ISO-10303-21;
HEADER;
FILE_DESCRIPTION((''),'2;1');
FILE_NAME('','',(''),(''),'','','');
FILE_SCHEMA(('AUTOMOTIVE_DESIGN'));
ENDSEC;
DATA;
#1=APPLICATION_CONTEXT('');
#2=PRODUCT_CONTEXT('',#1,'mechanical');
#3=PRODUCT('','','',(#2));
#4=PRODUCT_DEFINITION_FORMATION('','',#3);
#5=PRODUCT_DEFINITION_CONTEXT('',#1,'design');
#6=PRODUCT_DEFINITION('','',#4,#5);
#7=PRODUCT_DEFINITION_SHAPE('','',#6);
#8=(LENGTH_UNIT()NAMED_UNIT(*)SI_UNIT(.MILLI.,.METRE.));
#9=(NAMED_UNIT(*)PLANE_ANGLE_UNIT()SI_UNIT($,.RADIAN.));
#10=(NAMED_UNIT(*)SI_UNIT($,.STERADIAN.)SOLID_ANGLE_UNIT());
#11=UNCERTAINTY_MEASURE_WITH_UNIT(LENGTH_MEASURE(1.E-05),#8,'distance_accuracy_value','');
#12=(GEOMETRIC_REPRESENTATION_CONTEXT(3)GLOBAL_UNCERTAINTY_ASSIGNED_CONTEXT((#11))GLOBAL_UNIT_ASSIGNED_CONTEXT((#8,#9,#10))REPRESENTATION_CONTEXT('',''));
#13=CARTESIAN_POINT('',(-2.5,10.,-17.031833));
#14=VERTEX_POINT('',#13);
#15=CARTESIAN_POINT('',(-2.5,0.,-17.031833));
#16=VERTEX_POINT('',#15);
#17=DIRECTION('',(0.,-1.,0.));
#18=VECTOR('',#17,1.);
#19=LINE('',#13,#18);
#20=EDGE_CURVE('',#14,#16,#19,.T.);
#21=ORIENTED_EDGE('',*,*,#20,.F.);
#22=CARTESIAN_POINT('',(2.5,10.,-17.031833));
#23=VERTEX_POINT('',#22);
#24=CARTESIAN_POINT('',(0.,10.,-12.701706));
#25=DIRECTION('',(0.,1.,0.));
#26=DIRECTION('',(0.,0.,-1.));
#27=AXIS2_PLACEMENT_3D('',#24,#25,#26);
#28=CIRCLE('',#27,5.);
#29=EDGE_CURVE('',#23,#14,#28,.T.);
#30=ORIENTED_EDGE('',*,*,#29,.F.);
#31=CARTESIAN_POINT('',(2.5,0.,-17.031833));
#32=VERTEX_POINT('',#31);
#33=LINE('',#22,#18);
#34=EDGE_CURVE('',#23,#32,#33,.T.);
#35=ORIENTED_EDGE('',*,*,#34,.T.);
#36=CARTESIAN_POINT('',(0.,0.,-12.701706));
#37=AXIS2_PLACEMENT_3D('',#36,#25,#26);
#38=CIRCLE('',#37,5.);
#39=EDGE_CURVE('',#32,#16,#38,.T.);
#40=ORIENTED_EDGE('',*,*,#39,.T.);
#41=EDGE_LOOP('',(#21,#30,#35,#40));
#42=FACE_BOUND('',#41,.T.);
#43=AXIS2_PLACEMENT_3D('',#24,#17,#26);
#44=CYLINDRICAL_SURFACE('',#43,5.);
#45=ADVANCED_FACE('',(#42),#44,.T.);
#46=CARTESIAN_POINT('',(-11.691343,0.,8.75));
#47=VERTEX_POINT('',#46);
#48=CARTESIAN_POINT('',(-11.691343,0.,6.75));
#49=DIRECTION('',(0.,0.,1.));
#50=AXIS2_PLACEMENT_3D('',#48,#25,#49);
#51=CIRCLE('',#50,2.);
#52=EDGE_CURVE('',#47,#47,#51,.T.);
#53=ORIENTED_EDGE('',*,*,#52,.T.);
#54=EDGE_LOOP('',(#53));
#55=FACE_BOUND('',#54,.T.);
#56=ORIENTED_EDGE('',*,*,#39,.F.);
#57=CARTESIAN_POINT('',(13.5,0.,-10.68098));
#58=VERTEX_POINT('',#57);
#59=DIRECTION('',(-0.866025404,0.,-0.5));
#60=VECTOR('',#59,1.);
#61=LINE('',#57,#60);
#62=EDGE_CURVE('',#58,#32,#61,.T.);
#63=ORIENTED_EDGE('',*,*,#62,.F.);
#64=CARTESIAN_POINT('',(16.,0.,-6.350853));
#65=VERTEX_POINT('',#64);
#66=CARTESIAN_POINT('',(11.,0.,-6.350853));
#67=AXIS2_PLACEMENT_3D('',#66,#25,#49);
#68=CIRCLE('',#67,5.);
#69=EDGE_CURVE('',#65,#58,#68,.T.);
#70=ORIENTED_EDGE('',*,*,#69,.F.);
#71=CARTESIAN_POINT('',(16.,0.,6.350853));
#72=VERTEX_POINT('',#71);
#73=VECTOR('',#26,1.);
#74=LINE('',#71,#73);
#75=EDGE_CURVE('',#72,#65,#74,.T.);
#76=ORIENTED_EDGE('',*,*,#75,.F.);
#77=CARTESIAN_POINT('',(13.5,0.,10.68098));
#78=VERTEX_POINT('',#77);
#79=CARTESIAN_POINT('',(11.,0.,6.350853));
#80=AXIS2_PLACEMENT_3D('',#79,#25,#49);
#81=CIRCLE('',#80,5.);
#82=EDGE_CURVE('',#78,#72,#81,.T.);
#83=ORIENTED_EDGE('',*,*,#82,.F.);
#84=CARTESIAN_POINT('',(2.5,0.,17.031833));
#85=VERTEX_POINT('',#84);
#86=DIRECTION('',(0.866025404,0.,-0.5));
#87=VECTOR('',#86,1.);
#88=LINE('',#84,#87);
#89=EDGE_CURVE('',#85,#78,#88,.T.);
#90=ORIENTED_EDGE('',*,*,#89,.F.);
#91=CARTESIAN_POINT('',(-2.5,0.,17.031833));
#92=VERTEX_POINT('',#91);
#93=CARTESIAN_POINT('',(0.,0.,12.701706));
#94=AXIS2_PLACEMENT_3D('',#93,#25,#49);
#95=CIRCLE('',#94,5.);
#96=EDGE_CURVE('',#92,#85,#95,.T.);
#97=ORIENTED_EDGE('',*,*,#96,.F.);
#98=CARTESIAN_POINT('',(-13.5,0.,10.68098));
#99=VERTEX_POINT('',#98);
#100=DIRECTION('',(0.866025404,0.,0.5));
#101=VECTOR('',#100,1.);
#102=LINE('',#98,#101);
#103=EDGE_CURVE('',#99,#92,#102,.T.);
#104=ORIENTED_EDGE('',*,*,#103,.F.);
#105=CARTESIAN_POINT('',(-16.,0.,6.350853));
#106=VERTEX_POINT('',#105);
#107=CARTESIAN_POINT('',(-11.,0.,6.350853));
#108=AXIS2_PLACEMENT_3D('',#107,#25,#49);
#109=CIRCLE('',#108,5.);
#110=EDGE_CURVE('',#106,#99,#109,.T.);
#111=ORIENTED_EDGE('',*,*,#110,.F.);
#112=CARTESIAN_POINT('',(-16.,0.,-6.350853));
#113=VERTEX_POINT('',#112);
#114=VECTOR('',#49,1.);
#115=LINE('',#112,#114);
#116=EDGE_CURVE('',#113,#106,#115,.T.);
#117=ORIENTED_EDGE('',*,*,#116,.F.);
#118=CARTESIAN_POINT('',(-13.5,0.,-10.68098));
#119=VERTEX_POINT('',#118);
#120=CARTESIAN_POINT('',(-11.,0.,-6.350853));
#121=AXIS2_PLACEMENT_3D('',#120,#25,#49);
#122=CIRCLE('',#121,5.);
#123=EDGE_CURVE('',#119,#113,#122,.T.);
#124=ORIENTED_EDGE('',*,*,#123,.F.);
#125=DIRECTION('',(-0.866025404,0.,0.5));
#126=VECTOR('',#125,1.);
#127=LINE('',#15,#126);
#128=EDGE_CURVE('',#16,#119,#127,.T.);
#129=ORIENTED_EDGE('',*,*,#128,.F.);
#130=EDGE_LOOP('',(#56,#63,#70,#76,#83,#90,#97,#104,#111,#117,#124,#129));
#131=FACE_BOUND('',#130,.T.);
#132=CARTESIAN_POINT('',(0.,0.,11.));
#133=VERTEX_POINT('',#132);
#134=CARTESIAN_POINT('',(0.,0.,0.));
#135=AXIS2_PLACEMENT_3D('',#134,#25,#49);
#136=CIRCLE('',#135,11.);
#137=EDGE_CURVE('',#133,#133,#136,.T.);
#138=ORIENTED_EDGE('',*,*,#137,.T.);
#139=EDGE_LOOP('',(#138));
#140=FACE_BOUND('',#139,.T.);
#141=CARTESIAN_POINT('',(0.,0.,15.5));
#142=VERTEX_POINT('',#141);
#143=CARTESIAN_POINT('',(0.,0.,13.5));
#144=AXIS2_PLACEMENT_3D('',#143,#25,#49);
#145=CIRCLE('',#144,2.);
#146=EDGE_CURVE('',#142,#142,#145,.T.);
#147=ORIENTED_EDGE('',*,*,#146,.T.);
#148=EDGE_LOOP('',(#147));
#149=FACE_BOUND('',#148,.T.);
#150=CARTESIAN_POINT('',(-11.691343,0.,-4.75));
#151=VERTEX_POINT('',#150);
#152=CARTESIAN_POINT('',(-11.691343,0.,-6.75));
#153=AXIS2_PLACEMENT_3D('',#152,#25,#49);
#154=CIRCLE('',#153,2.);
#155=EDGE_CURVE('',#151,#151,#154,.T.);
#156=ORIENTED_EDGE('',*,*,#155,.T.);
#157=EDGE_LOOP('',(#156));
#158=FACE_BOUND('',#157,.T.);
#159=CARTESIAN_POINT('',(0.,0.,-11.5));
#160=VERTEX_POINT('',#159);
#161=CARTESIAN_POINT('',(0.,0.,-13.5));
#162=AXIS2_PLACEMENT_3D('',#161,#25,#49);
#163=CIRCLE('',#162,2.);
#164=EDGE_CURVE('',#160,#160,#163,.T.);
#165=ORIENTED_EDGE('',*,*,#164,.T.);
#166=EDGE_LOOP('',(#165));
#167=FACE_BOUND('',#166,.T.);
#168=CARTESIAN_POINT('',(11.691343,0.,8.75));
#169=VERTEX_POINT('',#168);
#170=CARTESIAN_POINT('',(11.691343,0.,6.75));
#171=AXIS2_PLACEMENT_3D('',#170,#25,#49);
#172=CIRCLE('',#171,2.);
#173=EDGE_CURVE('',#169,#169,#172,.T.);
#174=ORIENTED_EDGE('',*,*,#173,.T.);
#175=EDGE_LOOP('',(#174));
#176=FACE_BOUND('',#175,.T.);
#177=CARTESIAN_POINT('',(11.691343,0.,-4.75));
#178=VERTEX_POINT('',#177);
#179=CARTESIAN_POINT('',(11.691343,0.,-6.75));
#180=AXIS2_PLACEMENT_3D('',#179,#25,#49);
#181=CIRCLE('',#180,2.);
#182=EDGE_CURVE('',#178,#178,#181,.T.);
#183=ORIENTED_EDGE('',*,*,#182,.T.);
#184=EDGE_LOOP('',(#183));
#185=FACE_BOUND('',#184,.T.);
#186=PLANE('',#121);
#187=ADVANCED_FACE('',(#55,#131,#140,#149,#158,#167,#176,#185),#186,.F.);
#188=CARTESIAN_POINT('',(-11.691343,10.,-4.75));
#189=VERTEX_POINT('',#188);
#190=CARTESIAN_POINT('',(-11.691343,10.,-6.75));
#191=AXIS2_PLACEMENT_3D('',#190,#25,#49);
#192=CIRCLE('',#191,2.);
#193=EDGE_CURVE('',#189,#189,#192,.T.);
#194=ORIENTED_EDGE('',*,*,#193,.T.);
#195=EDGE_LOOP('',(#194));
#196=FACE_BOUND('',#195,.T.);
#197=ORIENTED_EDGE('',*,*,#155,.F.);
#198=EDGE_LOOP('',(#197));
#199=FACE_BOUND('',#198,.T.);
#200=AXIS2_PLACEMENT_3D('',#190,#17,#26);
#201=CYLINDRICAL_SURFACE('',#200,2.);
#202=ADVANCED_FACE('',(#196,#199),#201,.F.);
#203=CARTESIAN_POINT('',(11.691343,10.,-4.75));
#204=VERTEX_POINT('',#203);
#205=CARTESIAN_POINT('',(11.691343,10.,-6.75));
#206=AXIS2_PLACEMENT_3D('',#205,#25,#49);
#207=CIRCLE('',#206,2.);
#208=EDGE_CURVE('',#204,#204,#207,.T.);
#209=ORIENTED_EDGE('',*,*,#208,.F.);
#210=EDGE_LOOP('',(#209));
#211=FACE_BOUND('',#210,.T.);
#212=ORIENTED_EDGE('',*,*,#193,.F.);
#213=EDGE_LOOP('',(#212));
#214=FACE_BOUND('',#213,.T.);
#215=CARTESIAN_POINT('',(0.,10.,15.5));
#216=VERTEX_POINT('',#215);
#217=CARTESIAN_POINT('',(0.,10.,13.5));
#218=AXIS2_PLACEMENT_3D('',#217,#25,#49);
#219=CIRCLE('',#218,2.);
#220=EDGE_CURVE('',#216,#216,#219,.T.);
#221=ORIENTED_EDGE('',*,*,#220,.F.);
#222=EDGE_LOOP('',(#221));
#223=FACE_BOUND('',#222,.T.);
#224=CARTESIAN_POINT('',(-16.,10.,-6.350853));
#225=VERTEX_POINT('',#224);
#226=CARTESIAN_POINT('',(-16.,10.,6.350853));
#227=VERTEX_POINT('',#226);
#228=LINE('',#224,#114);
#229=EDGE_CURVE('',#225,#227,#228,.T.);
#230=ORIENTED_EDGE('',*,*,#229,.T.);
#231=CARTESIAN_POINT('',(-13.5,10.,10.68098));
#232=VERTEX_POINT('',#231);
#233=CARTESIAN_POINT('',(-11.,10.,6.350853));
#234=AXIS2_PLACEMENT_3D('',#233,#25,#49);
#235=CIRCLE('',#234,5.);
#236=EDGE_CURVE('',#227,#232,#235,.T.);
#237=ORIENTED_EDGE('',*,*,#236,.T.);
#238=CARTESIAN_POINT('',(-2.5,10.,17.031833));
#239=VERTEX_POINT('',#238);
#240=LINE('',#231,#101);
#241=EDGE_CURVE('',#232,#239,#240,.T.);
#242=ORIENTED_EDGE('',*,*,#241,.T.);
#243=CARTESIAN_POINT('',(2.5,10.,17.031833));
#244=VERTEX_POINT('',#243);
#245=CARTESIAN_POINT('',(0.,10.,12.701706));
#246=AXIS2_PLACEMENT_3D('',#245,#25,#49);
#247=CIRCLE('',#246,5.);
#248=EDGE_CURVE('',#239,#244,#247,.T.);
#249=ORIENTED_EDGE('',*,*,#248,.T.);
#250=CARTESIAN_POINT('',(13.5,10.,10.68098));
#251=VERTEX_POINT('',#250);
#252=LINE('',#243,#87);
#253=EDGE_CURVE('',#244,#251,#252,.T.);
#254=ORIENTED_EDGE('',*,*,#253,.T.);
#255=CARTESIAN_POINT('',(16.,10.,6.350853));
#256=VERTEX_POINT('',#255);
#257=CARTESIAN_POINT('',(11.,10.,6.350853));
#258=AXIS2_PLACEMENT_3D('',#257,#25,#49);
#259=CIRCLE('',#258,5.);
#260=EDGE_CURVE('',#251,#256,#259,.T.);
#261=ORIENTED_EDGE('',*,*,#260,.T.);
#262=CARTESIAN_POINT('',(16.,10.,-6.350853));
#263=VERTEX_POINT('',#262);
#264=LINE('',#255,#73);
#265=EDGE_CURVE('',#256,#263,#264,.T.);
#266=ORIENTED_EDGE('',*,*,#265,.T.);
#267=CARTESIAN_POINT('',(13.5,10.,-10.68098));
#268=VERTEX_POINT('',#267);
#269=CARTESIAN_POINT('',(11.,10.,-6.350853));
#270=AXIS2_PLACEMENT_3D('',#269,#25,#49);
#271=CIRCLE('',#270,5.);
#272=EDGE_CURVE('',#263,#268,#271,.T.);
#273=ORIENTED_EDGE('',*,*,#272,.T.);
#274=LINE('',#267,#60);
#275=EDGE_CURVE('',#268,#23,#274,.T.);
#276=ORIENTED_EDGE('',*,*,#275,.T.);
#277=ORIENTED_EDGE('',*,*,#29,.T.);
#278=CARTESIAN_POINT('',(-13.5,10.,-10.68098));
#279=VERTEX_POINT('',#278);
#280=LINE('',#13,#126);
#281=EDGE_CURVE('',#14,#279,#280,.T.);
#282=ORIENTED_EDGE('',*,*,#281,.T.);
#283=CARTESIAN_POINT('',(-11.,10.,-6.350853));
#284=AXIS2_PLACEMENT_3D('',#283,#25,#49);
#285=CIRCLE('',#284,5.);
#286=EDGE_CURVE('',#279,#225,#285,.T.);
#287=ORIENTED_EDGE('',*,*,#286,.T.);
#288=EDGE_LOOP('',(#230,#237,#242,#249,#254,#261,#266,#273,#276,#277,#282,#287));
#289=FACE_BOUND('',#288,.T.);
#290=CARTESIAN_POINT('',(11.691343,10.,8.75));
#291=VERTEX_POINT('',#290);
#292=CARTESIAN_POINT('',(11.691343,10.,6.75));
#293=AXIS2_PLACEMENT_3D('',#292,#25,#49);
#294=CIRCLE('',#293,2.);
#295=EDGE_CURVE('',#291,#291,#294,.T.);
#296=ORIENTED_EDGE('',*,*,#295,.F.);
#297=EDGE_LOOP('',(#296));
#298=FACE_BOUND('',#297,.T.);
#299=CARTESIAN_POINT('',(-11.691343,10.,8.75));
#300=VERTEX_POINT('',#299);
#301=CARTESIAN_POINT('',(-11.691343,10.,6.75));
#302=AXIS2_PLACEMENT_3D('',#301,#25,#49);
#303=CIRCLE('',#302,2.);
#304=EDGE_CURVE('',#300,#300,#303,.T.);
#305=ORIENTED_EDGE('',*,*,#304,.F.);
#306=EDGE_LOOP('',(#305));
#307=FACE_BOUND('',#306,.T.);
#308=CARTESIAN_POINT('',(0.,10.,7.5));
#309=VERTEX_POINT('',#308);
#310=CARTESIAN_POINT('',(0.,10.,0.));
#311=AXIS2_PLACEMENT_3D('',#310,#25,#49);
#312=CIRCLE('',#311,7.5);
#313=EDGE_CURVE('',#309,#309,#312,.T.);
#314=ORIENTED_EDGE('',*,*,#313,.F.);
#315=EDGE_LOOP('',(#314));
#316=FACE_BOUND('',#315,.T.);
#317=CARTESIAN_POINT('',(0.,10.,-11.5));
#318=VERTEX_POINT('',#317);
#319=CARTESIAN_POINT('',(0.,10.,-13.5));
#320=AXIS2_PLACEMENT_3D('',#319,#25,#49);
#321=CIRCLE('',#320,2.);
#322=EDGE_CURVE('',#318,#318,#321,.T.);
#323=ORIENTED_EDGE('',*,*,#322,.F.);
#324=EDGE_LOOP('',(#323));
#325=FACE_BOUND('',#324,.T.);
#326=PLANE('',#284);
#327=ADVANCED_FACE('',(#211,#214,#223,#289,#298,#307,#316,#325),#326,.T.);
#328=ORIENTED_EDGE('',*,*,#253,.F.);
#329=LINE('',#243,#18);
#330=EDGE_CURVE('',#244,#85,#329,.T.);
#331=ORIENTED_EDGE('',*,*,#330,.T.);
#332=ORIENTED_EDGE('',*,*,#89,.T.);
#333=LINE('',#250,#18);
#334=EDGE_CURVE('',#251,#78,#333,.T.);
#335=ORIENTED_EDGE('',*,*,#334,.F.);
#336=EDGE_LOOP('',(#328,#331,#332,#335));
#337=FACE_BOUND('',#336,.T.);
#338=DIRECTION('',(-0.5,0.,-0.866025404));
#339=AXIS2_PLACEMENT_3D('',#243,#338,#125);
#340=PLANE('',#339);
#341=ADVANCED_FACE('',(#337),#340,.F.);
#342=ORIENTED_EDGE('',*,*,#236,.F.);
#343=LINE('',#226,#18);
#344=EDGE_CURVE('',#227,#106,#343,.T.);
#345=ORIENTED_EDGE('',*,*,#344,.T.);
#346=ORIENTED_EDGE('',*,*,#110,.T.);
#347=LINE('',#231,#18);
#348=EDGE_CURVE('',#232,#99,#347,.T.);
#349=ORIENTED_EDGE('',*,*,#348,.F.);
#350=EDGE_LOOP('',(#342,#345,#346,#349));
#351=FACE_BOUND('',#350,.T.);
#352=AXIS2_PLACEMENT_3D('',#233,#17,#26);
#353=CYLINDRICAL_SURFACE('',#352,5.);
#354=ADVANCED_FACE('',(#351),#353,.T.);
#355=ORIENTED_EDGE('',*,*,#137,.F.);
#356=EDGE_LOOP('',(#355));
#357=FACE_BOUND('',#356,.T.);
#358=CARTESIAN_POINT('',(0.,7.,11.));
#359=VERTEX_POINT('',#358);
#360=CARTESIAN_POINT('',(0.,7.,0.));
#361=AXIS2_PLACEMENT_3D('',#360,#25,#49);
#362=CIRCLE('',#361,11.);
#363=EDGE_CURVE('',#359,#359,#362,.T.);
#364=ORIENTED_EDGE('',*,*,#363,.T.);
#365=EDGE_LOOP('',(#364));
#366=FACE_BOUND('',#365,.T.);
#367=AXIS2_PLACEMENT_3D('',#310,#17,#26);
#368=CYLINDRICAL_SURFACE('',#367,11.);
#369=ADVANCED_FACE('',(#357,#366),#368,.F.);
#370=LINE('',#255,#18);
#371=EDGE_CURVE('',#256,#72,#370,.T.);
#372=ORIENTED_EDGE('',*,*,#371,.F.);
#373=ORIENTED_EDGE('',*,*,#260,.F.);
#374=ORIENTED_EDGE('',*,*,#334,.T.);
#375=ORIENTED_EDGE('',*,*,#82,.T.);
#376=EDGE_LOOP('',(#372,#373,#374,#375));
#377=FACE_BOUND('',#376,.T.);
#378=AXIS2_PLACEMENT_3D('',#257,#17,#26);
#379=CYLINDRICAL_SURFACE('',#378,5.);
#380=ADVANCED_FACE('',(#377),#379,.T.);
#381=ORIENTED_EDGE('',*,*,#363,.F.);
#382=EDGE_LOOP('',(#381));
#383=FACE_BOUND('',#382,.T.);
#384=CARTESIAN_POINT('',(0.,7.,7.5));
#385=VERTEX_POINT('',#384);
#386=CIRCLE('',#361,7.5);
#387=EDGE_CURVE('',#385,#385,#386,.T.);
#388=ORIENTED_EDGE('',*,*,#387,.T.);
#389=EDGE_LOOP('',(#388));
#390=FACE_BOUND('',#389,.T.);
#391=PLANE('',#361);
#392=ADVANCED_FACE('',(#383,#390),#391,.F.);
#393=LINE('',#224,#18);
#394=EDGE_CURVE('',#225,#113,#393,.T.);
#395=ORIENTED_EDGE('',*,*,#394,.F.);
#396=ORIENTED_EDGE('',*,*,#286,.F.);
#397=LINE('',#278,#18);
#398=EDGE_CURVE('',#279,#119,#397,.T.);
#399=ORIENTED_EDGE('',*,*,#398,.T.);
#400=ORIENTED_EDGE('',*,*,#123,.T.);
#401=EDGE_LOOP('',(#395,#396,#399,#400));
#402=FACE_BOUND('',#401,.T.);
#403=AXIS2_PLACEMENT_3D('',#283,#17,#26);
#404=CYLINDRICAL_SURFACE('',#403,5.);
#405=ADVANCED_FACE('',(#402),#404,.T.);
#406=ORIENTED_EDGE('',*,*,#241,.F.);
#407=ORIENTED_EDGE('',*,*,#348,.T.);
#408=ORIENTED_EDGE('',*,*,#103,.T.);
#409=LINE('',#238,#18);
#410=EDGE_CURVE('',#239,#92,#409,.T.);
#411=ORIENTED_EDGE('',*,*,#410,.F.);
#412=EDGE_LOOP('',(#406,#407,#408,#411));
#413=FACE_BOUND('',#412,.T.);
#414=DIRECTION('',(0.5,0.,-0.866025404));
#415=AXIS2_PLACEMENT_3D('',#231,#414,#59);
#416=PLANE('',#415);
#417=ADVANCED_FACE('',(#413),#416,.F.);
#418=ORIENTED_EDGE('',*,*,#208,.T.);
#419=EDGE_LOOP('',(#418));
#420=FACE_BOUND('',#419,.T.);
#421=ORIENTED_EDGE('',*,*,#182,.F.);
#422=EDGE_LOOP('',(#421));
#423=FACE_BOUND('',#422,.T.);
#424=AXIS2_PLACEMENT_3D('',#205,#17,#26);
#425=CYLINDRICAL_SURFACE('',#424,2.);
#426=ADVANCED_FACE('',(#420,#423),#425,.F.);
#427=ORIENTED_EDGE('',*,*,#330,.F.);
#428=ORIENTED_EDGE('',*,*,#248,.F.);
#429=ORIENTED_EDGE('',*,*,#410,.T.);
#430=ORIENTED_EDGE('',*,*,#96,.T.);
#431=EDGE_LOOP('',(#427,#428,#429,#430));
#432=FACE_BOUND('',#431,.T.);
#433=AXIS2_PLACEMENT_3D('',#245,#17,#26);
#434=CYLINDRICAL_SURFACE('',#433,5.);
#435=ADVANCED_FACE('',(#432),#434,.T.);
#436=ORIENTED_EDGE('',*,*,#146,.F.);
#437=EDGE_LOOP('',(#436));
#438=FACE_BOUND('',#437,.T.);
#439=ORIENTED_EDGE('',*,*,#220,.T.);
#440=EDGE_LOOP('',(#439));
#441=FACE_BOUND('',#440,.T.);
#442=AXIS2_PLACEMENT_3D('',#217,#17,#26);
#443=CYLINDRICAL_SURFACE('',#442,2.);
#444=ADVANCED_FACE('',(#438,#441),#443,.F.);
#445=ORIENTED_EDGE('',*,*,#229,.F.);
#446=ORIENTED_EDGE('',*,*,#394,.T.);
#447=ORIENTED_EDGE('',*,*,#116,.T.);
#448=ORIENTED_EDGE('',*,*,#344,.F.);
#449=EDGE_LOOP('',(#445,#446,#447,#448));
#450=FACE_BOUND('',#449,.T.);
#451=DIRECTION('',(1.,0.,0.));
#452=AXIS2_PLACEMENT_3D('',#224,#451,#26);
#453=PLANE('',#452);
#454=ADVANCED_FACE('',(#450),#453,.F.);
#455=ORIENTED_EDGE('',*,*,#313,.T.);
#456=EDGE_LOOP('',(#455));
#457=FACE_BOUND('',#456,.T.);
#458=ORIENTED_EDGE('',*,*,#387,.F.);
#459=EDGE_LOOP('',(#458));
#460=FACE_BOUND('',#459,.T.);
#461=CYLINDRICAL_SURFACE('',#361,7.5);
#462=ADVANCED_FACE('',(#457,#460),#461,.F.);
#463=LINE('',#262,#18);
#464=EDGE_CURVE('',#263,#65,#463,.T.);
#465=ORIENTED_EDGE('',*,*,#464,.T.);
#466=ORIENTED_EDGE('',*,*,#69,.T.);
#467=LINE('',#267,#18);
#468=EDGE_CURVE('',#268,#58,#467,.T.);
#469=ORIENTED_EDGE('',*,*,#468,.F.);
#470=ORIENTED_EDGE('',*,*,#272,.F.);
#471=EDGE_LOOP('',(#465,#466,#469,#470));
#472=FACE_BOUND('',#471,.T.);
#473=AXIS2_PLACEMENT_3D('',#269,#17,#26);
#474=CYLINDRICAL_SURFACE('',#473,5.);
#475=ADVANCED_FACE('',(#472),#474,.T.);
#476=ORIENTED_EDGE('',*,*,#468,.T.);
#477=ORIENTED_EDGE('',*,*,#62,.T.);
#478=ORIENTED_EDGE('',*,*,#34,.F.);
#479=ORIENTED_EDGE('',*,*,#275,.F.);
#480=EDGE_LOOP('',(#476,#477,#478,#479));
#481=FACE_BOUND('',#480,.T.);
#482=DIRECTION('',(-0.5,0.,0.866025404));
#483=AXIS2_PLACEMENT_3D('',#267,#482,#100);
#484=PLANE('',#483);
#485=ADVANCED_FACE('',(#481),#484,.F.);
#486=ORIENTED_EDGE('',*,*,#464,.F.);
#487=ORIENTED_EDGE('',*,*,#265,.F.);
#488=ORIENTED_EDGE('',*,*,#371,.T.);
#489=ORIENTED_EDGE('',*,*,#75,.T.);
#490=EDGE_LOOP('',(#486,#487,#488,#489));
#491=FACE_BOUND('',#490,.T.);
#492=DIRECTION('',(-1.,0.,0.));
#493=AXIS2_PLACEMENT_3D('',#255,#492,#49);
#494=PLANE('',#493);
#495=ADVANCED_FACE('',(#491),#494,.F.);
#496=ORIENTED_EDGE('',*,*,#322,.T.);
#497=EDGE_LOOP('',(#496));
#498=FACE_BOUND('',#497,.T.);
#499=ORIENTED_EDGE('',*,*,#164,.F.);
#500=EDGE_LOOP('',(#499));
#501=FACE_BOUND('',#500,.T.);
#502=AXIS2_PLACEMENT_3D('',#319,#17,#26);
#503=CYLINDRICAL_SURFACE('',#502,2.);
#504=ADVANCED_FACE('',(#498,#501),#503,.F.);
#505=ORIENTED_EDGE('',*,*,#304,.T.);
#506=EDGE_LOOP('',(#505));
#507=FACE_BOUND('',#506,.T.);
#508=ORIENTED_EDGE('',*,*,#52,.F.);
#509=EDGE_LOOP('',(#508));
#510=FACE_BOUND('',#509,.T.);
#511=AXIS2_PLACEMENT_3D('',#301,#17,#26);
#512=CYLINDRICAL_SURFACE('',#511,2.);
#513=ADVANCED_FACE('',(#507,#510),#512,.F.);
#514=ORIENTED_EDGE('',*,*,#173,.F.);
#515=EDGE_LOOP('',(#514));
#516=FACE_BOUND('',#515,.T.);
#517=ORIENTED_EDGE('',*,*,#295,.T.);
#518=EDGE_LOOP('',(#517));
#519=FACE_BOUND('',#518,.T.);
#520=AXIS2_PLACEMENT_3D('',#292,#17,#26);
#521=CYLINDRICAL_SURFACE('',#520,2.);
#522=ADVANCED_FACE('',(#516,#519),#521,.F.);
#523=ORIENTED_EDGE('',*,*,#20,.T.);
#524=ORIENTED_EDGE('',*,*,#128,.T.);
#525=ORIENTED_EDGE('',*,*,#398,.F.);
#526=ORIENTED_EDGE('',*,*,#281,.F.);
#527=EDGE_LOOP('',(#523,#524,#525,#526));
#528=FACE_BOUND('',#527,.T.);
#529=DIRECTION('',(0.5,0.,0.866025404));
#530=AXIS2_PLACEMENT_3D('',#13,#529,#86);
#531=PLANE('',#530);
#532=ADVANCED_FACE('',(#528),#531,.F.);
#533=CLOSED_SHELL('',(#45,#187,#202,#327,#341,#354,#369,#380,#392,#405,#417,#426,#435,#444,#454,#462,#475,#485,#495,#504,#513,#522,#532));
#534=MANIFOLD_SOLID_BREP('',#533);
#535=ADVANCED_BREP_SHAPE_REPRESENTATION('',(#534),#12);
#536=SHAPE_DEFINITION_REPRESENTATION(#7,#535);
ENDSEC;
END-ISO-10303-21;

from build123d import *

# Parameters (mm, degrees)
SKETCH1_R           = 11
SKETCH1_R_2         = 2
BOSS_EXTRUDE1_DEPTH = 10
BOSS_EXTRUDE2_START = -3
SKETCH2_R           = 11
SKETCH2_R_2         = 7.5
BOSS_EXTRUDE2_DEPTH = 3


with BuildPart() as part:
    # Sketch1 → Boss-Extrude1 (new body)
    with BuildSketch(Plane(origin=(0, 0, 0), x_dir=(1, 0, 0), z_dir=(0, 1, 0))):
        with BuildLine():
            Line((-2.5, 17.031832941), (-13.5, 10.68097998))
            ThreePointArc((-13.5, 10.68097998), (-15.330127019, 8.850852961), (-16, 6.350852961))
            Line((-16, 6.350852961), (-16, -6.350852961))
            ThreePointArc((-16, -6.350852961), (-15.330127019, -8.850852961), (-13.5, -10.68097998))
            Line((-13.5, -10.68097998), (-2.5, -17.031832941))
            ThreePointArc((-2.5, -17.031832941), (0, -17.701705922), (2.5, -17.031832941))
            Line((2.5, -17.031832941), (13.5, -10.68097998))
            ThreePointArc((13.5, -10.68097998), (15.330127019, -8.850852961), (16, -6.350852961))
            Line((16, -6.350852961), (16, 6.350852961))
            ThreePointArc((16, 6.350852961), (15.330127019, 8.850852961), (13.5, 10.68097998))
            Line((13.5, 10.68097998), (2.5, 17.031832941))
            ThreePointArc((2.5, 17.031832941), (0, 17.701705922), (-2.5, 17.031832941))
        make_face()
        with Locations(Location((0, 0, 0), (0, 0, 270))):
            Circle(SKETCH1_R, mode=Mode.SUBTRACT)
        with Locations(Location((0, 13.5, 0), (0, 0, 270))):
            Circle(SKETCH1_R_2, mode=Mode.SUBTRACT)
        with Locations(Location((11.691342951, 6.75, 0), (0, 0, 270))):
            Circle(SKETCH1_R_2, mode=Mode.SUBTRACT)
        with Locations(Location((11.691342951, -6.75, 0), (0, 0, 270))):
            Circle(SKETCH1_R_2, mode=Mode.SUBTRACT)
        with Locations(Location((0, -13.5, 0), (0, 0, 270))):
            Circle(SKETCH1_R_2, mode=Mode.SUBTRACT)
        with Locations(Location((-11.691342951, -6.75, 0), (0, 0, 270))):
            Circle(SKETCH1_R_2, mode=Mode.SUBTRACT)
        with Locations(Location((-11.691342951, 6.75, 0), (0, 0, 270))):
            Circle(SKETCH1_R_2, mode=Mode.SUBTRACT)
    extrude(amount=BOSS_EXTRUDE1_DEPTH)

    # Sketch2 → Boss-Extrude2 (add)
    with BuildSketch(Plane(origin=(0, 10, 0), x_dir=(1, 0, 0), z_dir=(0, 1, 0)).offset(BOSS_EXTRUDE2_START)):
        with Locations(Location((0, 0, 0), (0, 0, 270))):
            Circle(SKETCH2_R)
        with Locations(Location((0, 0, 0), (0, 0, 270))):
            Circle(SKETCH2_R_2, mode=Mode.SUBTRACT)
    extrude(amount=BOSS_EXTRUDE2_DEPTH)


solid = part.part
